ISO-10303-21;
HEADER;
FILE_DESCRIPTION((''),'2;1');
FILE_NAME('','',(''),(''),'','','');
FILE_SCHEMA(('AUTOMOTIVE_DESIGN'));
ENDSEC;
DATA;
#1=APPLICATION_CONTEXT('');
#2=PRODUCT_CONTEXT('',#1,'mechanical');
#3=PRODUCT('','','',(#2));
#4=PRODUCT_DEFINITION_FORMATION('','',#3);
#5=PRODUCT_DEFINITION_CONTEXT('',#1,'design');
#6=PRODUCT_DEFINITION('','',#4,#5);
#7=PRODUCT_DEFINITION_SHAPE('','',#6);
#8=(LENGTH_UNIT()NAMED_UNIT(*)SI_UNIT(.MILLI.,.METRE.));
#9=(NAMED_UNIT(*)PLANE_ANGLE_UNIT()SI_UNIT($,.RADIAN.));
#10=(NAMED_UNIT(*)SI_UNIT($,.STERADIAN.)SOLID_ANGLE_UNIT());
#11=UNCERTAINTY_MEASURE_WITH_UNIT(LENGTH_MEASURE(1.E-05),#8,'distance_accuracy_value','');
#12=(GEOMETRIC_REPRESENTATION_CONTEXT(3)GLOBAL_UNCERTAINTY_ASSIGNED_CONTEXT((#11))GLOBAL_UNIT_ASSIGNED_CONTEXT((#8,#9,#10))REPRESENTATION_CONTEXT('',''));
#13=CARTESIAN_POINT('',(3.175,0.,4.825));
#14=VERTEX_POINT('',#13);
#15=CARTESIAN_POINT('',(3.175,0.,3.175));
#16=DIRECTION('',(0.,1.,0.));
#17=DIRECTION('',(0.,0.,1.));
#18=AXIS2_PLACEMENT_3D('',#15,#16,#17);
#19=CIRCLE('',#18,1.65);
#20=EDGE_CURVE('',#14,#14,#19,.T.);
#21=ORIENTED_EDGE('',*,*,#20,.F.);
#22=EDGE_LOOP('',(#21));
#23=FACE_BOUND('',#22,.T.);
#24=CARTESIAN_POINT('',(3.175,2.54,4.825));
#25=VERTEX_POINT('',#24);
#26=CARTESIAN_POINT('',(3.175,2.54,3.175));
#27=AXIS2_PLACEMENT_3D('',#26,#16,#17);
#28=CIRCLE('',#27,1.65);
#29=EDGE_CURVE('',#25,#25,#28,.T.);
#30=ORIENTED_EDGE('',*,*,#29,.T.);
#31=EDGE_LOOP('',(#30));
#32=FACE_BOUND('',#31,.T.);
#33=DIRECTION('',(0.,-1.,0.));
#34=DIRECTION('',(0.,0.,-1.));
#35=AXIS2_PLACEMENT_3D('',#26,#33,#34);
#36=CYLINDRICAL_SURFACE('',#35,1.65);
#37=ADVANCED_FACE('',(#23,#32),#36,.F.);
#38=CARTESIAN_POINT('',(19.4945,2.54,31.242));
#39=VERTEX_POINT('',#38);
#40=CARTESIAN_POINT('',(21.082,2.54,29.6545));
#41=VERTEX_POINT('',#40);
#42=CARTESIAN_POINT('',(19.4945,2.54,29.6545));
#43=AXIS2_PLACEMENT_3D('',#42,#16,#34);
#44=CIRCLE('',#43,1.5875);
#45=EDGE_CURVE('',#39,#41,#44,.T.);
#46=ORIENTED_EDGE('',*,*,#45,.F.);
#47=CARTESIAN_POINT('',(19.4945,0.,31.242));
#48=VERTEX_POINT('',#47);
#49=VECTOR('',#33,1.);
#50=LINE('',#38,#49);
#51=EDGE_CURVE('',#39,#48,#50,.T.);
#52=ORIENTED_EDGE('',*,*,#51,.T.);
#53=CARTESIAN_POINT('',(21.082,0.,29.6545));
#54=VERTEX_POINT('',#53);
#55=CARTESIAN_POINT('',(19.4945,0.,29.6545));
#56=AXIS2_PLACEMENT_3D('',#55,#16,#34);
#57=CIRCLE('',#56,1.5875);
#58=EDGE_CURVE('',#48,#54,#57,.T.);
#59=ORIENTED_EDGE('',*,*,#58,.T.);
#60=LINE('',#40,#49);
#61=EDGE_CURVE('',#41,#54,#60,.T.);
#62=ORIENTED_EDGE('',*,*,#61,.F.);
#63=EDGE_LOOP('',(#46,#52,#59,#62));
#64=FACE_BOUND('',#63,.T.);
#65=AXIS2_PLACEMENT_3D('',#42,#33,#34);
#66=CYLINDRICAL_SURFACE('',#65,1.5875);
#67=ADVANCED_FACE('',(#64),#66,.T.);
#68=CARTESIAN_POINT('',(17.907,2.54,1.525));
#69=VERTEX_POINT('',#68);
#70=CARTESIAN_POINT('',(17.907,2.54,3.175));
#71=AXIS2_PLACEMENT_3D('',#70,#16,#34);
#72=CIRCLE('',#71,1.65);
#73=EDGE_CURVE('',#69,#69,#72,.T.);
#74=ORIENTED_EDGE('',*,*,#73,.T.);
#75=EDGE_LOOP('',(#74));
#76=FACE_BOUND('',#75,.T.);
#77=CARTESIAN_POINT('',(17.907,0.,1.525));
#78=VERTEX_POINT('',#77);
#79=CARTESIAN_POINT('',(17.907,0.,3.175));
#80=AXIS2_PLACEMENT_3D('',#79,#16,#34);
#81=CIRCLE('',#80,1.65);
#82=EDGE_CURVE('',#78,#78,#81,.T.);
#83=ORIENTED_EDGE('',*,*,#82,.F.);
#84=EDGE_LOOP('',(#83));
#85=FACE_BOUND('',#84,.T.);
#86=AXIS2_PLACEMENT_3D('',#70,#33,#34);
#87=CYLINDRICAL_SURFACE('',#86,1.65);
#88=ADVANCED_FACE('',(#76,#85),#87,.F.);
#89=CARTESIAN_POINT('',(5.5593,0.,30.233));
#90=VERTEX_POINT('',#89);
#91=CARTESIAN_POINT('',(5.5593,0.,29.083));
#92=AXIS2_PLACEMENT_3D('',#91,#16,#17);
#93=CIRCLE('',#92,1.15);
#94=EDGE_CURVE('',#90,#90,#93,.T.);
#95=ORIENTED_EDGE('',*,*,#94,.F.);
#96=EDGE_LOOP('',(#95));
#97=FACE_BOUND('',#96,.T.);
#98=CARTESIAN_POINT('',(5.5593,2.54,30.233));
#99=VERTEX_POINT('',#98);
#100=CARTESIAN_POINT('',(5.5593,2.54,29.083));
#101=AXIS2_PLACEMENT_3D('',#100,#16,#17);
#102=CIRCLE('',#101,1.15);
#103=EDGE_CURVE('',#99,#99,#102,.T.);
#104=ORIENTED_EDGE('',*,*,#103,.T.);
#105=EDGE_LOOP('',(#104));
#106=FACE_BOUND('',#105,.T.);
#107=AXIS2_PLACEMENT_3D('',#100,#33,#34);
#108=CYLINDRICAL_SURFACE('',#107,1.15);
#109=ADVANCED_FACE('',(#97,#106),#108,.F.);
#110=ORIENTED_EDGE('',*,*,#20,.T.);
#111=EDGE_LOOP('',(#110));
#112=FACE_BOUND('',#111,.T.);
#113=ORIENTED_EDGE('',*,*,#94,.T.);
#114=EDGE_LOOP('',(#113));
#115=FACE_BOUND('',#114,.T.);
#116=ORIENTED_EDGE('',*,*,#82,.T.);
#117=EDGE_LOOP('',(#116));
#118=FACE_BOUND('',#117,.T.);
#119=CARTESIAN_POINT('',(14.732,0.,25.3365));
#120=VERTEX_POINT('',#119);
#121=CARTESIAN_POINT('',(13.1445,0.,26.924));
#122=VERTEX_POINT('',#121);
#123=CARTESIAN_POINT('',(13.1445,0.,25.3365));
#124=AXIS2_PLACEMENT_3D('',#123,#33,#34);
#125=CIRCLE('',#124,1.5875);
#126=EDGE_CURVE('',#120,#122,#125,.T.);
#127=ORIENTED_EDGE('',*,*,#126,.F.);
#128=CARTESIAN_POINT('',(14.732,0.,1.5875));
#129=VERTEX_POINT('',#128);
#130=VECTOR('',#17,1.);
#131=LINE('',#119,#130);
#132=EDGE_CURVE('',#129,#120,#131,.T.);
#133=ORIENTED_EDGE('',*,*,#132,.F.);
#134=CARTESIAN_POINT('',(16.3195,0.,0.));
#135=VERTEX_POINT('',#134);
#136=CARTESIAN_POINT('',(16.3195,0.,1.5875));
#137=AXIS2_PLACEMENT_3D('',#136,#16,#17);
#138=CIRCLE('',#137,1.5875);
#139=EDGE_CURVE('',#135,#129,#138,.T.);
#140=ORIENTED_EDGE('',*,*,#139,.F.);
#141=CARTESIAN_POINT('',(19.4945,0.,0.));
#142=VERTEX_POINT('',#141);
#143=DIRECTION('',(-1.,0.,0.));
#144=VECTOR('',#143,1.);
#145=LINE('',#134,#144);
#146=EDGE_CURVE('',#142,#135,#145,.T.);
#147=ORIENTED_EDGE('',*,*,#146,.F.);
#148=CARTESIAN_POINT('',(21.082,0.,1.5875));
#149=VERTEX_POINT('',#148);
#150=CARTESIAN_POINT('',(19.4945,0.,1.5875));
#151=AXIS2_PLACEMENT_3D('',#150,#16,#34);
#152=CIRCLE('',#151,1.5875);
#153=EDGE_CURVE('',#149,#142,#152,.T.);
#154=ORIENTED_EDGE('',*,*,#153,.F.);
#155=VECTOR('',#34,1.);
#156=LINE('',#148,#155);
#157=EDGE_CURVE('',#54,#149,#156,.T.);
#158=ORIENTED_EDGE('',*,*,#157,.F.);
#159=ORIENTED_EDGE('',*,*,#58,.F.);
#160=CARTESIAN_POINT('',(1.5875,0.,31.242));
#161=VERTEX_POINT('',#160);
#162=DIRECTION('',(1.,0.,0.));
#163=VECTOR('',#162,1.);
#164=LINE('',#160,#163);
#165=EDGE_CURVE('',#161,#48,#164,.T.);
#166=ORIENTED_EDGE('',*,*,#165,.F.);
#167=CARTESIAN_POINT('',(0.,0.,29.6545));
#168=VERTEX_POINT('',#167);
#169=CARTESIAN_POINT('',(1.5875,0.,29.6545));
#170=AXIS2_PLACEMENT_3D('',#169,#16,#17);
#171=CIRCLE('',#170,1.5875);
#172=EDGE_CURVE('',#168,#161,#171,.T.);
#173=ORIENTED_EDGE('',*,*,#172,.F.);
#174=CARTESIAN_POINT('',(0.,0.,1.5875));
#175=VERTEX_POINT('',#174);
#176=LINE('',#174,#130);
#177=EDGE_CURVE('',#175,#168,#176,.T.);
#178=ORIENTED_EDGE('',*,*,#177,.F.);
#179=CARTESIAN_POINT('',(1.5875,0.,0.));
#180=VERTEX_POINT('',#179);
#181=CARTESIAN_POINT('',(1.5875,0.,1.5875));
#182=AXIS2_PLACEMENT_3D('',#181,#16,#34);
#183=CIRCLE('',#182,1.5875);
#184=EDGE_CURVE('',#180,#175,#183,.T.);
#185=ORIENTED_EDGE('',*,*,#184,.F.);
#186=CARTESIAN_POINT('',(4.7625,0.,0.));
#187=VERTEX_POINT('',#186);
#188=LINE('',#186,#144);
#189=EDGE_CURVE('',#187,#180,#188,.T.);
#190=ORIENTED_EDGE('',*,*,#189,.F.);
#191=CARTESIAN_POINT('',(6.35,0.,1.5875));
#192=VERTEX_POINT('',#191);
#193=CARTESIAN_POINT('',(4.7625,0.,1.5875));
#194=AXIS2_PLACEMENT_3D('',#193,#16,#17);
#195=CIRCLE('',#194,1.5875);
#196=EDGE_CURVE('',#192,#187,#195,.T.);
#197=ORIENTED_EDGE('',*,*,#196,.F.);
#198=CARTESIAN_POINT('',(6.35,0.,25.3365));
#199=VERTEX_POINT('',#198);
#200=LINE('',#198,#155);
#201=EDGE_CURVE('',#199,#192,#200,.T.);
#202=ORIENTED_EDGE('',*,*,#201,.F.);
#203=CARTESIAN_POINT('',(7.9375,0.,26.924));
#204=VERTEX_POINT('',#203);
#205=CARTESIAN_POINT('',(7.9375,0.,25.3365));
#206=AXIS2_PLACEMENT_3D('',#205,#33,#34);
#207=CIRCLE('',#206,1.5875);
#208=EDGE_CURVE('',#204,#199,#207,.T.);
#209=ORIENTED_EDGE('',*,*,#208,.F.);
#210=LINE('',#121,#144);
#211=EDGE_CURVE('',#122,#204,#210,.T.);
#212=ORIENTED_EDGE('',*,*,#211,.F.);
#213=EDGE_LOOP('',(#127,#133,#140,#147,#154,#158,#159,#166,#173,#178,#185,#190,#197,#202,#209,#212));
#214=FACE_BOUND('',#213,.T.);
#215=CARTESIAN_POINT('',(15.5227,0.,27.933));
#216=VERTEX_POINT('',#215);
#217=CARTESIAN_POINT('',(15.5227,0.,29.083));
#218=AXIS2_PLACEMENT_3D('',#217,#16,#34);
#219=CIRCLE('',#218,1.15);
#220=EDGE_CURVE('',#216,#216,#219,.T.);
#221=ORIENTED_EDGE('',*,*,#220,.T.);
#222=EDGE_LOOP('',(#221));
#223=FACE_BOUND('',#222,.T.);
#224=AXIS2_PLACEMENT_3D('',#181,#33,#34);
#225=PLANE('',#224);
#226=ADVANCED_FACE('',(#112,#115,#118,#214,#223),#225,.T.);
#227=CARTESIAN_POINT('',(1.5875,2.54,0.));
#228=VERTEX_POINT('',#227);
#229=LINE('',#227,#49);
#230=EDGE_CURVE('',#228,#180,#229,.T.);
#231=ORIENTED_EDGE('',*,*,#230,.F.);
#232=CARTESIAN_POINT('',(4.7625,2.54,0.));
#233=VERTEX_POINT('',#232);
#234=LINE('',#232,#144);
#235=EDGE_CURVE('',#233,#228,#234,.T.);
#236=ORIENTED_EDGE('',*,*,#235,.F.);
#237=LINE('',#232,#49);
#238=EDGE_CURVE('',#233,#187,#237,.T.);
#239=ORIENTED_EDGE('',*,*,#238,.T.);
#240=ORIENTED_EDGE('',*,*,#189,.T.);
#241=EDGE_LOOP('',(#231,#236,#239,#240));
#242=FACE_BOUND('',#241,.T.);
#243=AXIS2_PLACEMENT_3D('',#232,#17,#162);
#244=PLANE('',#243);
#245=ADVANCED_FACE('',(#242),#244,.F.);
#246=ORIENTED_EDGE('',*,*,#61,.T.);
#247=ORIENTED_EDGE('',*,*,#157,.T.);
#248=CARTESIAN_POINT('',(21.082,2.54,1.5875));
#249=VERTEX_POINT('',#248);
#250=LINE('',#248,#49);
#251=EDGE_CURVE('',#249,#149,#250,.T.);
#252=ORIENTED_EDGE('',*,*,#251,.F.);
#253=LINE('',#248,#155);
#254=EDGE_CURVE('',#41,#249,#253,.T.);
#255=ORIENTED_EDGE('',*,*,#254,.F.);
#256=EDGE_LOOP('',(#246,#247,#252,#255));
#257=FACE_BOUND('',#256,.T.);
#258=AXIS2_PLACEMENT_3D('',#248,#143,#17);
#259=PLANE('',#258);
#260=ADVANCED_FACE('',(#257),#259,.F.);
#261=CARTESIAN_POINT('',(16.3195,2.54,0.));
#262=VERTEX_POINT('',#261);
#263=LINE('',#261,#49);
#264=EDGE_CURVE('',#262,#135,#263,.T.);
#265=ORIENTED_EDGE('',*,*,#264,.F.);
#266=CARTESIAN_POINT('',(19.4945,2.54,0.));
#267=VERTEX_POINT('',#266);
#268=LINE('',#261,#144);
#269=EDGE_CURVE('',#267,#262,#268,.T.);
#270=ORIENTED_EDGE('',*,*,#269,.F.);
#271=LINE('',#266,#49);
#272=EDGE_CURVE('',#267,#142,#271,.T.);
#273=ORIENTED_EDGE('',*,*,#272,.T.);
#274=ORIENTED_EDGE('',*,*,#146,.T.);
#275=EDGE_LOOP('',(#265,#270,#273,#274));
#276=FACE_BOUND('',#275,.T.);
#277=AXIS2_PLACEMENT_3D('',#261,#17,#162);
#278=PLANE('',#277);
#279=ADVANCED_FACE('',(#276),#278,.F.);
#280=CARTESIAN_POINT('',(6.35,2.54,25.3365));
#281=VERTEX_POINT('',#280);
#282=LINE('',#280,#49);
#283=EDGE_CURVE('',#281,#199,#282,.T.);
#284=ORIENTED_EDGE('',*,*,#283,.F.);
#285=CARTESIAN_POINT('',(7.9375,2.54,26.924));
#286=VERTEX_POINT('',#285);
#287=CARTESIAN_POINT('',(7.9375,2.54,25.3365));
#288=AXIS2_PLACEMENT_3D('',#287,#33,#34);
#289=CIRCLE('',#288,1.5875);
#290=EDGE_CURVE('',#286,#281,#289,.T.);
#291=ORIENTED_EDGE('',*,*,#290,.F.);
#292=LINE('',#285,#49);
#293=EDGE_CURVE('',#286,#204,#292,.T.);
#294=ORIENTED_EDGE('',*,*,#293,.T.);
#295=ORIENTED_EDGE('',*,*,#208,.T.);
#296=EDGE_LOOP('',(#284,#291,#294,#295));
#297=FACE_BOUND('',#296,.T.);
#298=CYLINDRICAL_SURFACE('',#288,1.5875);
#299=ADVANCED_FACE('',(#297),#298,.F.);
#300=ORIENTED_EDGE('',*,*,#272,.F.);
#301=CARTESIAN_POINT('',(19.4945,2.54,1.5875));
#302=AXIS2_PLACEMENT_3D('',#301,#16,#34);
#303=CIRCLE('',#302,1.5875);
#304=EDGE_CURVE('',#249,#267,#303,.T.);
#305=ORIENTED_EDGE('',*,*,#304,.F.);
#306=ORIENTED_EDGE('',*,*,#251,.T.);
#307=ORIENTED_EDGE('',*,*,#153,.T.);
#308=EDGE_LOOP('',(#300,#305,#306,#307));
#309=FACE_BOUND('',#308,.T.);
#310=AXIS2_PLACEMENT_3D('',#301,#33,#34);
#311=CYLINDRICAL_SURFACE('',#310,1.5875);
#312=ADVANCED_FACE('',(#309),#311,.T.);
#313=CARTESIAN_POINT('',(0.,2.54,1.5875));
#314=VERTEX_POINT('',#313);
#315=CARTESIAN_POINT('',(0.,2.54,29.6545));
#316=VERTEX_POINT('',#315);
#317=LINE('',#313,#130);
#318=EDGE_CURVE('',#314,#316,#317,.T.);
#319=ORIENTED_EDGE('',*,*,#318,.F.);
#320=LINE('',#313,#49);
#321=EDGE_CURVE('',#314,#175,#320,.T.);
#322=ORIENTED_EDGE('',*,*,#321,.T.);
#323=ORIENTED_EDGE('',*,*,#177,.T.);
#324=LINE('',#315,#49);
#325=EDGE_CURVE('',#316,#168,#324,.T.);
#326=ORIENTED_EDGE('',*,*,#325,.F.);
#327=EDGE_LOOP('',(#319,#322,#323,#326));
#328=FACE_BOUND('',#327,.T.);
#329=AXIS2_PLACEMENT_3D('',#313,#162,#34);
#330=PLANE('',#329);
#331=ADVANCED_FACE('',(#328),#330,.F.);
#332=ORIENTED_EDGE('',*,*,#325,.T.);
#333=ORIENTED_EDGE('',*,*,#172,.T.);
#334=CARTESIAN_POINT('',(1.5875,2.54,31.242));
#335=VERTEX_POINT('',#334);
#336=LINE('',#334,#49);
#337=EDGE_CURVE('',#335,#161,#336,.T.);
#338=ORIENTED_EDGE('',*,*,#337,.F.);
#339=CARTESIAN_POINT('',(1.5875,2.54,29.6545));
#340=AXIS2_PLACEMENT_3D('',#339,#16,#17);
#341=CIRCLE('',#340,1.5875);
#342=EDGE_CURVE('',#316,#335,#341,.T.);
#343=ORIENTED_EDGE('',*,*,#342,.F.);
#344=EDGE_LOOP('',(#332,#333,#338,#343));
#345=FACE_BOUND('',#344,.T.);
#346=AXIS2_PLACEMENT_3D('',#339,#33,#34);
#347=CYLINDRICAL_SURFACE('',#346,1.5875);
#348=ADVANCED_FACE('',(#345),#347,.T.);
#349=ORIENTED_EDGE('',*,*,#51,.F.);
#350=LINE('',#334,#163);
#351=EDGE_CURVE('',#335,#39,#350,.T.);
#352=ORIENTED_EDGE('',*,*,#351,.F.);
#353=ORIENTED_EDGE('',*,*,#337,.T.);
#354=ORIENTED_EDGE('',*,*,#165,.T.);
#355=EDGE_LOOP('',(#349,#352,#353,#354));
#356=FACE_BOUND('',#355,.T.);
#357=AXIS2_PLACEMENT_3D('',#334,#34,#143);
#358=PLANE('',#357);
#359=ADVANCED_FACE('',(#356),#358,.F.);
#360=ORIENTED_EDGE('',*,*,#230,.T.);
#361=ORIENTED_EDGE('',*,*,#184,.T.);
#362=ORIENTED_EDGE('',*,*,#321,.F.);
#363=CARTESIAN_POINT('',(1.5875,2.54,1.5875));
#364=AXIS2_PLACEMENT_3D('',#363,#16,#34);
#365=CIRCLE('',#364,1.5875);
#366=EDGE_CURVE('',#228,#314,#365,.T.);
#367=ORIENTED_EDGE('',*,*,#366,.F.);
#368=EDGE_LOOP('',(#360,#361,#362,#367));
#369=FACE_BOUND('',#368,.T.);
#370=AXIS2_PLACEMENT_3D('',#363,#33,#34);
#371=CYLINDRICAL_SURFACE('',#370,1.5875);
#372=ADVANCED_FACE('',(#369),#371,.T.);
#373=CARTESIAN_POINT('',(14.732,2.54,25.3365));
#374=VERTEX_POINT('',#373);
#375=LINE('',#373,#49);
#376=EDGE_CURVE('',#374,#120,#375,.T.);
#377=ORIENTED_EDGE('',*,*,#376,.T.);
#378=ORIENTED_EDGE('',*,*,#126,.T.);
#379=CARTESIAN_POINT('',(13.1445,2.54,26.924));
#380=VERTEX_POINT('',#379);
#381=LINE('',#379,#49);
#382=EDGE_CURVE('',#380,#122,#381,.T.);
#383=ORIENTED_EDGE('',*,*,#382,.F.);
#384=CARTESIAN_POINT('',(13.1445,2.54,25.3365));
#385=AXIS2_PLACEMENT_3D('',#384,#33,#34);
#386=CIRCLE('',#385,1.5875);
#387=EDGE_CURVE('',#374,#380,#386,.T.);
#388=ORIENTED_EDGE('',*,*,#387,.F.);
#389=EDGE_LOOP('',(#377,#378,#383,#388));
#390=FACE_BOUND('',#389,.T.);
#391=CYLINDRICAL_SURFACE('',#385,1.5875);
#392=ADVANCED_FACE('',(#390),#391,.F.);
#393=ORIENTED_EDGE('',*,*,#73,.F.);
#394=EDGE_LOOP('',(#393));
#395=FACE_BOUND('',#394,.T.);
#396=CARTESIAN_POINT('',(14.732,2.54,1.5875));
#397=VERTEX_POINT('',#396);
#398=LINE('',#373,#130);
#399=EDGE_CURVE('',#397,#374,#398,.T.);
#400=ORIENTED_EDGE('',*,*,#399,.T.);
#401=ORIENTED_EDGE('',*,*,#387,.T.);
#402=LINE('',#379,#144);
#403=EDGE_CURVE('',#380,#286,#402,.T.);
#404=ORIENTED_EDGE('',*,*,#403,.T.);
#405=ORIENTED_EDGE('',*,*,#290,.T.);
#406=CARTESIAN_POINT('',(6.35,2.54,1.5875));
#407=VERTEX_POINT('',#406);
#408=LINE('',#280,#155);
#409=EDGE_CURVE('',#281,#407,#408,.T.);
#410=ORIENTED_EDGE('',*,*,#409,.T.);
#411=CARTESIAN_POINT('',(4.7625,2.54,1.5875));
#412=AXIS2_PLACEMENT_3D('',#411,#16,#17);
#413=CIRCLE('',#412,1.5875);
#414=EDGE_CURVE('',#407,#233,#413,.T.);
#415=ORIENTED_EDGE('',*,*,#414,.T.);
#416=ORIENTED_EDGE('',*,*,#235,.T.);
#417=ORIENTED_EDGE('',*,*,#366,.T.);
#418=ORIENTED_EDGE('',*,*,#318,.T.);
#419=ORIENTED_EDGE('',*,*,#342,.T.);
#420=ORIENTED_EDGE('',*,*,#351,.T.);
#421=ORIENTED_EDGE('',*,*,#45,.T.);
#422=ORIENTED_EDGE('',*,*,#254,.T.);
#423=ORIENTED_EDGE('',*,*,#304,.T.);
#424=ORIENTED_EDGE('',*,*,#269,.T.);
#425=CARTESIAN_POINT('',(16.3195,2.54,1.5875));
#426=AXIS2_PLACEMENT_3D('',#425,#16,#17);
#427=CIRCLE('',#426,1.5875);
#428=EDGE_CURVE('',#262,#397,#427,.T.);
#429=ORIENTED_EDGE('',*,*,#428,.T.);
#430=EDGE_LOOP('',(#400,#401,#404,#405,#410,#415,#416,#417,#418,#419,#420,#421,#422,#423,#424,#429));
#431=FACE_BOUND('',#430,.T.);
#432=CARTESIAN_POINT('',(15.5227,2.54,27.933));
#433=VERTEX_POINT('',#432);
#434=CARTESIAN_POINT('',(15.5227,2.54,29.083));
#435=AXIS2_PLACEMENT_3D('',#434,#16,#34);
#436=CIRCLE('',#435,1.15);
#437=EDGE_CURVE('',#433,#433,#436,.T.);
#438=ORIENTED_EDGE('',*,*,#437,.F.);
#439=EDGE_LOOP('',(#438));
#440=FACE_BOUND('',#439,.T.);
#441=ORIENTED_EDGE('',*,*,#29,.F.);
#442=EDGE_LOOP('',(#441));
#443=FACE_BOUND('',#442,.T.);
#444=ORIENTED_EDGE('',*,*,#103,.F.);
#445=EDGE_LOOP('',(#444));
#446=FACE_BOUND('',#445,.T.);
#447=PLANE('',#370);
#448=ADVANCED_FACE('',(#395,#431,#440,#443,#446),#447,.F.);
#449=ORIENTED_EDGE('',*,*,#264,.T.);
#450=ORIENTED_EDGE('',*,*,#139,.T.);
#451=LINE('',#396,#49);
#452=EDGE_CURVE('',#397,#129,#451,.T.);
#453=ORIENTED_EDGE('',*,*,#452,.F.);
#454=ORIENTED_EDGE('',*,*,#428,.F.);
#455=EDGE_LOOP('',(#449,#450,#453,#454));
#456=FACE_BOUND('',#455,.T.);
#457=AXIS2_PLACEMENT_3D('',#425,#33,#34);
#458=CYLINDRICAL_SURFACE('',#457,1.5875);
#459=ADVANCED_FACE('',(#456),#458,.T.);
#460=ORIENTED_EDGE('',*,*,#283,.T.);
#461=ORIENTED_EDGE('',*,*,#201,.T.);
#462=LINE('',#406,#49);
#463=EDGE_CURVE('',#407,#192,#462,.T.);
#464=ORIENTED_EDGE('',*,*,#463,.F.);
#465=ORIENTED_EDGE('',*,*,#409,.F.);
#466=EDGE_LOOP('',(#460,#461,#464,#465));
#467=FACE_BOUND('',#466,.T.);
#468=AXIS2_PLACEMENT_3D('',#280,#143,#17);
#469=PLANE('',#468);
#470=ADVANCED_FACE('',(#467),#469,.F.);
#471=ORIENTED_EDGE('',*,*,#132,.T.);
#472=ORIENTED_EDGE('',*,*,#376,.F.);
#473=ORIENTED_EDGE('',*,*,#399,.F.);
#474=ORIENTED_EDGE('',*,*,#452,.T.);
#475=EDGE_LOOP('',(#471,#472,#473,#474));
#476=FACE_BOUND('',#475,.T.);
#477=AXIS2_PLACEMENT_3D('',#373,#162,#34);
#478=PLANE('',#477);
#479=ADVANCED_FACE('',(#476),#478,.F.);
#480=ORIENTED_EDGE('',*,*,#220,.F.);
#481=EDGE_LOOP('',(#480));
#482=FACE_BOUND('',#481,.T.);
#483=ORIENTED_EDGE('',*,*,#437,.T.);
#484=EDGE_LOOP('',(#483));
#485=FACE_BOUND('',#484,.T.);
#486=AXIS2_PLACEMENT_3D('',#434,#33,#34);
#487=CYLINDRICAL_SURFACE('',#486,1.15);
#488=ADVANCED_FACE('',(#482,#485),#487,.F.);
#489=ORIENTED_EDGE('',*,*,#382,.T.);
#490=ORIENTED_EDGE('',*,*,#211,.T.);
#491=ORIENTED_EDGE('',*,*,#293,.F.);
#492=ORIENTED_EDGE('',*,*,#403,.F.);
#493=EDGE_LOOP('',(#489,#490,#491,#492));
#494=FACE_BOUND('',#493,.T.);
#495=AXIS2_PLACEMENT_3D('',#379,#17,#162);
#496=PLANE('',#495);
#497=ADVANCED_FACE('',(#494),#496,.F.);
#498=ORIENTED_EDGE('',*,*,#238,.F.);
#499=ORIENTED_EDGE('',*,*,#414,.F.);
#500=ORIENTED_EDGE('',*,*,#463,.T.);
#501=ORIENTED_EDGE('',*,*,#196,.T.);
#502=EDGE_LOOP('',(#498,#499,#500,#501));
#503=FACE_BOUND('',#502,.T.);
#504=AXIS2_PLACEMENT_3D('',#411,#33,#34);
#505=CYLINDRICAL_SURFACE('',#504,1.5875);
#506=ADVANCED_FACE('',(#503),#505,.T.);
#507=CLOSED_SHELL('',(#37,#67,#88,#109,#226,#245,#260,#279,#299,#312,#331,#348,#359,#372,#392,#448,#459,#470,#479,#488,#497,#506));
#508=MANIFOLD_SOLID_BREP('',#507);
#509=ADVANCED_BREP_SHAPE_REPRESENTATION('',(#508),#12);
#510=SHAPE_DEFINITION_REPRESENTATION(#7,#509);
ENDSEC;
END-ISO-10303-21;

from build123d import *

# Parameters (mm, degrees)
SKETCH1_R           = 1.65
SKETCH1_R_2         = 1.15
BOSS_EXTRUDE1_DEPTH = 2.54


with BuildPart() as part:
    # Sketch1 → Boss-Extrude1 (new body)
    with BuildSketch(Plane(origin=(0, 0, 0), x_dir=(1, 0, 0), z_dir=(0, 1, 0))):
        with BuildLine():
            Line((0, -1.5875), (0, -29.6545))
            ThreePointArc((0, -29.6545), (0.464967985, -30.777032015), (1.5875, -31.242))
            Line((1.5875, -31.242), (19.4945, -31.242))
            ThreePointArc((19.4945, -31.242), (20.617032015, -30.777032015), (21.082, -29.6545))
            Line((21.082, -29.6545), (21.082, -1.5875))
            ThreePointArc((21.082, -1.5875), (20.617032015, -0.464967985), (19.4945, 0))
            Line((19.4945, 0), (16.3195, 0))
            ThreePointArc((16.3195, 0), (15.196967985, -0.464967985), (14.732, -1.5875))
            Line((14.732, -1.5875), (14.732, -25.3365))
            ThreePointArc((14.732, -25.3365), (14.267032015, -26.459032015), (13.1445, -26.924))
            Line((13.1445, -26.924), (7.9375, -26.924))
            ThreePointArc((7.9375, -26.924), (6.814967985, -26.459032015), (6.35, -25.3365))
            Line((6.35, -25.3365), (6.35, -1.5875))
            ThreePointArc((6.35, -1.5875), (5.885032015, -0.464967985), (4.7625, 0))
            Line((4.7625, 0), (1.5875, 0))
            ThreePointArc((1.5875, 0), (0.464967985, -0.464967985), (0, -1.5875))
        make_face()
        with Locations(Location((3.175, -3.175, 0), (0, 0, 270))):
            Circle(SKETCH1_R, mode=Mode.SUBTRACT)
        with Locations(Location((5.5593, -29.083, 0), (0, 0, 270))):
            Circle(SKETCH1_R_2, mode=Mode.SUBTRACT)
        with Locations(Location((15.5227, -29.083, 0), (0, 0, 90))):
            Circle(SKETCH1_R_2, mode=Mode.SUBTRACT)
        with Locations(Location((17.907, -3.175, 0), (0, 0, 90))):
            Circle(SKETCH1_R, mode=Mode.SUBTRACT)
    extrude(amount=BOSS_EXTRUDE1_DEPTH)


solid = part.part
